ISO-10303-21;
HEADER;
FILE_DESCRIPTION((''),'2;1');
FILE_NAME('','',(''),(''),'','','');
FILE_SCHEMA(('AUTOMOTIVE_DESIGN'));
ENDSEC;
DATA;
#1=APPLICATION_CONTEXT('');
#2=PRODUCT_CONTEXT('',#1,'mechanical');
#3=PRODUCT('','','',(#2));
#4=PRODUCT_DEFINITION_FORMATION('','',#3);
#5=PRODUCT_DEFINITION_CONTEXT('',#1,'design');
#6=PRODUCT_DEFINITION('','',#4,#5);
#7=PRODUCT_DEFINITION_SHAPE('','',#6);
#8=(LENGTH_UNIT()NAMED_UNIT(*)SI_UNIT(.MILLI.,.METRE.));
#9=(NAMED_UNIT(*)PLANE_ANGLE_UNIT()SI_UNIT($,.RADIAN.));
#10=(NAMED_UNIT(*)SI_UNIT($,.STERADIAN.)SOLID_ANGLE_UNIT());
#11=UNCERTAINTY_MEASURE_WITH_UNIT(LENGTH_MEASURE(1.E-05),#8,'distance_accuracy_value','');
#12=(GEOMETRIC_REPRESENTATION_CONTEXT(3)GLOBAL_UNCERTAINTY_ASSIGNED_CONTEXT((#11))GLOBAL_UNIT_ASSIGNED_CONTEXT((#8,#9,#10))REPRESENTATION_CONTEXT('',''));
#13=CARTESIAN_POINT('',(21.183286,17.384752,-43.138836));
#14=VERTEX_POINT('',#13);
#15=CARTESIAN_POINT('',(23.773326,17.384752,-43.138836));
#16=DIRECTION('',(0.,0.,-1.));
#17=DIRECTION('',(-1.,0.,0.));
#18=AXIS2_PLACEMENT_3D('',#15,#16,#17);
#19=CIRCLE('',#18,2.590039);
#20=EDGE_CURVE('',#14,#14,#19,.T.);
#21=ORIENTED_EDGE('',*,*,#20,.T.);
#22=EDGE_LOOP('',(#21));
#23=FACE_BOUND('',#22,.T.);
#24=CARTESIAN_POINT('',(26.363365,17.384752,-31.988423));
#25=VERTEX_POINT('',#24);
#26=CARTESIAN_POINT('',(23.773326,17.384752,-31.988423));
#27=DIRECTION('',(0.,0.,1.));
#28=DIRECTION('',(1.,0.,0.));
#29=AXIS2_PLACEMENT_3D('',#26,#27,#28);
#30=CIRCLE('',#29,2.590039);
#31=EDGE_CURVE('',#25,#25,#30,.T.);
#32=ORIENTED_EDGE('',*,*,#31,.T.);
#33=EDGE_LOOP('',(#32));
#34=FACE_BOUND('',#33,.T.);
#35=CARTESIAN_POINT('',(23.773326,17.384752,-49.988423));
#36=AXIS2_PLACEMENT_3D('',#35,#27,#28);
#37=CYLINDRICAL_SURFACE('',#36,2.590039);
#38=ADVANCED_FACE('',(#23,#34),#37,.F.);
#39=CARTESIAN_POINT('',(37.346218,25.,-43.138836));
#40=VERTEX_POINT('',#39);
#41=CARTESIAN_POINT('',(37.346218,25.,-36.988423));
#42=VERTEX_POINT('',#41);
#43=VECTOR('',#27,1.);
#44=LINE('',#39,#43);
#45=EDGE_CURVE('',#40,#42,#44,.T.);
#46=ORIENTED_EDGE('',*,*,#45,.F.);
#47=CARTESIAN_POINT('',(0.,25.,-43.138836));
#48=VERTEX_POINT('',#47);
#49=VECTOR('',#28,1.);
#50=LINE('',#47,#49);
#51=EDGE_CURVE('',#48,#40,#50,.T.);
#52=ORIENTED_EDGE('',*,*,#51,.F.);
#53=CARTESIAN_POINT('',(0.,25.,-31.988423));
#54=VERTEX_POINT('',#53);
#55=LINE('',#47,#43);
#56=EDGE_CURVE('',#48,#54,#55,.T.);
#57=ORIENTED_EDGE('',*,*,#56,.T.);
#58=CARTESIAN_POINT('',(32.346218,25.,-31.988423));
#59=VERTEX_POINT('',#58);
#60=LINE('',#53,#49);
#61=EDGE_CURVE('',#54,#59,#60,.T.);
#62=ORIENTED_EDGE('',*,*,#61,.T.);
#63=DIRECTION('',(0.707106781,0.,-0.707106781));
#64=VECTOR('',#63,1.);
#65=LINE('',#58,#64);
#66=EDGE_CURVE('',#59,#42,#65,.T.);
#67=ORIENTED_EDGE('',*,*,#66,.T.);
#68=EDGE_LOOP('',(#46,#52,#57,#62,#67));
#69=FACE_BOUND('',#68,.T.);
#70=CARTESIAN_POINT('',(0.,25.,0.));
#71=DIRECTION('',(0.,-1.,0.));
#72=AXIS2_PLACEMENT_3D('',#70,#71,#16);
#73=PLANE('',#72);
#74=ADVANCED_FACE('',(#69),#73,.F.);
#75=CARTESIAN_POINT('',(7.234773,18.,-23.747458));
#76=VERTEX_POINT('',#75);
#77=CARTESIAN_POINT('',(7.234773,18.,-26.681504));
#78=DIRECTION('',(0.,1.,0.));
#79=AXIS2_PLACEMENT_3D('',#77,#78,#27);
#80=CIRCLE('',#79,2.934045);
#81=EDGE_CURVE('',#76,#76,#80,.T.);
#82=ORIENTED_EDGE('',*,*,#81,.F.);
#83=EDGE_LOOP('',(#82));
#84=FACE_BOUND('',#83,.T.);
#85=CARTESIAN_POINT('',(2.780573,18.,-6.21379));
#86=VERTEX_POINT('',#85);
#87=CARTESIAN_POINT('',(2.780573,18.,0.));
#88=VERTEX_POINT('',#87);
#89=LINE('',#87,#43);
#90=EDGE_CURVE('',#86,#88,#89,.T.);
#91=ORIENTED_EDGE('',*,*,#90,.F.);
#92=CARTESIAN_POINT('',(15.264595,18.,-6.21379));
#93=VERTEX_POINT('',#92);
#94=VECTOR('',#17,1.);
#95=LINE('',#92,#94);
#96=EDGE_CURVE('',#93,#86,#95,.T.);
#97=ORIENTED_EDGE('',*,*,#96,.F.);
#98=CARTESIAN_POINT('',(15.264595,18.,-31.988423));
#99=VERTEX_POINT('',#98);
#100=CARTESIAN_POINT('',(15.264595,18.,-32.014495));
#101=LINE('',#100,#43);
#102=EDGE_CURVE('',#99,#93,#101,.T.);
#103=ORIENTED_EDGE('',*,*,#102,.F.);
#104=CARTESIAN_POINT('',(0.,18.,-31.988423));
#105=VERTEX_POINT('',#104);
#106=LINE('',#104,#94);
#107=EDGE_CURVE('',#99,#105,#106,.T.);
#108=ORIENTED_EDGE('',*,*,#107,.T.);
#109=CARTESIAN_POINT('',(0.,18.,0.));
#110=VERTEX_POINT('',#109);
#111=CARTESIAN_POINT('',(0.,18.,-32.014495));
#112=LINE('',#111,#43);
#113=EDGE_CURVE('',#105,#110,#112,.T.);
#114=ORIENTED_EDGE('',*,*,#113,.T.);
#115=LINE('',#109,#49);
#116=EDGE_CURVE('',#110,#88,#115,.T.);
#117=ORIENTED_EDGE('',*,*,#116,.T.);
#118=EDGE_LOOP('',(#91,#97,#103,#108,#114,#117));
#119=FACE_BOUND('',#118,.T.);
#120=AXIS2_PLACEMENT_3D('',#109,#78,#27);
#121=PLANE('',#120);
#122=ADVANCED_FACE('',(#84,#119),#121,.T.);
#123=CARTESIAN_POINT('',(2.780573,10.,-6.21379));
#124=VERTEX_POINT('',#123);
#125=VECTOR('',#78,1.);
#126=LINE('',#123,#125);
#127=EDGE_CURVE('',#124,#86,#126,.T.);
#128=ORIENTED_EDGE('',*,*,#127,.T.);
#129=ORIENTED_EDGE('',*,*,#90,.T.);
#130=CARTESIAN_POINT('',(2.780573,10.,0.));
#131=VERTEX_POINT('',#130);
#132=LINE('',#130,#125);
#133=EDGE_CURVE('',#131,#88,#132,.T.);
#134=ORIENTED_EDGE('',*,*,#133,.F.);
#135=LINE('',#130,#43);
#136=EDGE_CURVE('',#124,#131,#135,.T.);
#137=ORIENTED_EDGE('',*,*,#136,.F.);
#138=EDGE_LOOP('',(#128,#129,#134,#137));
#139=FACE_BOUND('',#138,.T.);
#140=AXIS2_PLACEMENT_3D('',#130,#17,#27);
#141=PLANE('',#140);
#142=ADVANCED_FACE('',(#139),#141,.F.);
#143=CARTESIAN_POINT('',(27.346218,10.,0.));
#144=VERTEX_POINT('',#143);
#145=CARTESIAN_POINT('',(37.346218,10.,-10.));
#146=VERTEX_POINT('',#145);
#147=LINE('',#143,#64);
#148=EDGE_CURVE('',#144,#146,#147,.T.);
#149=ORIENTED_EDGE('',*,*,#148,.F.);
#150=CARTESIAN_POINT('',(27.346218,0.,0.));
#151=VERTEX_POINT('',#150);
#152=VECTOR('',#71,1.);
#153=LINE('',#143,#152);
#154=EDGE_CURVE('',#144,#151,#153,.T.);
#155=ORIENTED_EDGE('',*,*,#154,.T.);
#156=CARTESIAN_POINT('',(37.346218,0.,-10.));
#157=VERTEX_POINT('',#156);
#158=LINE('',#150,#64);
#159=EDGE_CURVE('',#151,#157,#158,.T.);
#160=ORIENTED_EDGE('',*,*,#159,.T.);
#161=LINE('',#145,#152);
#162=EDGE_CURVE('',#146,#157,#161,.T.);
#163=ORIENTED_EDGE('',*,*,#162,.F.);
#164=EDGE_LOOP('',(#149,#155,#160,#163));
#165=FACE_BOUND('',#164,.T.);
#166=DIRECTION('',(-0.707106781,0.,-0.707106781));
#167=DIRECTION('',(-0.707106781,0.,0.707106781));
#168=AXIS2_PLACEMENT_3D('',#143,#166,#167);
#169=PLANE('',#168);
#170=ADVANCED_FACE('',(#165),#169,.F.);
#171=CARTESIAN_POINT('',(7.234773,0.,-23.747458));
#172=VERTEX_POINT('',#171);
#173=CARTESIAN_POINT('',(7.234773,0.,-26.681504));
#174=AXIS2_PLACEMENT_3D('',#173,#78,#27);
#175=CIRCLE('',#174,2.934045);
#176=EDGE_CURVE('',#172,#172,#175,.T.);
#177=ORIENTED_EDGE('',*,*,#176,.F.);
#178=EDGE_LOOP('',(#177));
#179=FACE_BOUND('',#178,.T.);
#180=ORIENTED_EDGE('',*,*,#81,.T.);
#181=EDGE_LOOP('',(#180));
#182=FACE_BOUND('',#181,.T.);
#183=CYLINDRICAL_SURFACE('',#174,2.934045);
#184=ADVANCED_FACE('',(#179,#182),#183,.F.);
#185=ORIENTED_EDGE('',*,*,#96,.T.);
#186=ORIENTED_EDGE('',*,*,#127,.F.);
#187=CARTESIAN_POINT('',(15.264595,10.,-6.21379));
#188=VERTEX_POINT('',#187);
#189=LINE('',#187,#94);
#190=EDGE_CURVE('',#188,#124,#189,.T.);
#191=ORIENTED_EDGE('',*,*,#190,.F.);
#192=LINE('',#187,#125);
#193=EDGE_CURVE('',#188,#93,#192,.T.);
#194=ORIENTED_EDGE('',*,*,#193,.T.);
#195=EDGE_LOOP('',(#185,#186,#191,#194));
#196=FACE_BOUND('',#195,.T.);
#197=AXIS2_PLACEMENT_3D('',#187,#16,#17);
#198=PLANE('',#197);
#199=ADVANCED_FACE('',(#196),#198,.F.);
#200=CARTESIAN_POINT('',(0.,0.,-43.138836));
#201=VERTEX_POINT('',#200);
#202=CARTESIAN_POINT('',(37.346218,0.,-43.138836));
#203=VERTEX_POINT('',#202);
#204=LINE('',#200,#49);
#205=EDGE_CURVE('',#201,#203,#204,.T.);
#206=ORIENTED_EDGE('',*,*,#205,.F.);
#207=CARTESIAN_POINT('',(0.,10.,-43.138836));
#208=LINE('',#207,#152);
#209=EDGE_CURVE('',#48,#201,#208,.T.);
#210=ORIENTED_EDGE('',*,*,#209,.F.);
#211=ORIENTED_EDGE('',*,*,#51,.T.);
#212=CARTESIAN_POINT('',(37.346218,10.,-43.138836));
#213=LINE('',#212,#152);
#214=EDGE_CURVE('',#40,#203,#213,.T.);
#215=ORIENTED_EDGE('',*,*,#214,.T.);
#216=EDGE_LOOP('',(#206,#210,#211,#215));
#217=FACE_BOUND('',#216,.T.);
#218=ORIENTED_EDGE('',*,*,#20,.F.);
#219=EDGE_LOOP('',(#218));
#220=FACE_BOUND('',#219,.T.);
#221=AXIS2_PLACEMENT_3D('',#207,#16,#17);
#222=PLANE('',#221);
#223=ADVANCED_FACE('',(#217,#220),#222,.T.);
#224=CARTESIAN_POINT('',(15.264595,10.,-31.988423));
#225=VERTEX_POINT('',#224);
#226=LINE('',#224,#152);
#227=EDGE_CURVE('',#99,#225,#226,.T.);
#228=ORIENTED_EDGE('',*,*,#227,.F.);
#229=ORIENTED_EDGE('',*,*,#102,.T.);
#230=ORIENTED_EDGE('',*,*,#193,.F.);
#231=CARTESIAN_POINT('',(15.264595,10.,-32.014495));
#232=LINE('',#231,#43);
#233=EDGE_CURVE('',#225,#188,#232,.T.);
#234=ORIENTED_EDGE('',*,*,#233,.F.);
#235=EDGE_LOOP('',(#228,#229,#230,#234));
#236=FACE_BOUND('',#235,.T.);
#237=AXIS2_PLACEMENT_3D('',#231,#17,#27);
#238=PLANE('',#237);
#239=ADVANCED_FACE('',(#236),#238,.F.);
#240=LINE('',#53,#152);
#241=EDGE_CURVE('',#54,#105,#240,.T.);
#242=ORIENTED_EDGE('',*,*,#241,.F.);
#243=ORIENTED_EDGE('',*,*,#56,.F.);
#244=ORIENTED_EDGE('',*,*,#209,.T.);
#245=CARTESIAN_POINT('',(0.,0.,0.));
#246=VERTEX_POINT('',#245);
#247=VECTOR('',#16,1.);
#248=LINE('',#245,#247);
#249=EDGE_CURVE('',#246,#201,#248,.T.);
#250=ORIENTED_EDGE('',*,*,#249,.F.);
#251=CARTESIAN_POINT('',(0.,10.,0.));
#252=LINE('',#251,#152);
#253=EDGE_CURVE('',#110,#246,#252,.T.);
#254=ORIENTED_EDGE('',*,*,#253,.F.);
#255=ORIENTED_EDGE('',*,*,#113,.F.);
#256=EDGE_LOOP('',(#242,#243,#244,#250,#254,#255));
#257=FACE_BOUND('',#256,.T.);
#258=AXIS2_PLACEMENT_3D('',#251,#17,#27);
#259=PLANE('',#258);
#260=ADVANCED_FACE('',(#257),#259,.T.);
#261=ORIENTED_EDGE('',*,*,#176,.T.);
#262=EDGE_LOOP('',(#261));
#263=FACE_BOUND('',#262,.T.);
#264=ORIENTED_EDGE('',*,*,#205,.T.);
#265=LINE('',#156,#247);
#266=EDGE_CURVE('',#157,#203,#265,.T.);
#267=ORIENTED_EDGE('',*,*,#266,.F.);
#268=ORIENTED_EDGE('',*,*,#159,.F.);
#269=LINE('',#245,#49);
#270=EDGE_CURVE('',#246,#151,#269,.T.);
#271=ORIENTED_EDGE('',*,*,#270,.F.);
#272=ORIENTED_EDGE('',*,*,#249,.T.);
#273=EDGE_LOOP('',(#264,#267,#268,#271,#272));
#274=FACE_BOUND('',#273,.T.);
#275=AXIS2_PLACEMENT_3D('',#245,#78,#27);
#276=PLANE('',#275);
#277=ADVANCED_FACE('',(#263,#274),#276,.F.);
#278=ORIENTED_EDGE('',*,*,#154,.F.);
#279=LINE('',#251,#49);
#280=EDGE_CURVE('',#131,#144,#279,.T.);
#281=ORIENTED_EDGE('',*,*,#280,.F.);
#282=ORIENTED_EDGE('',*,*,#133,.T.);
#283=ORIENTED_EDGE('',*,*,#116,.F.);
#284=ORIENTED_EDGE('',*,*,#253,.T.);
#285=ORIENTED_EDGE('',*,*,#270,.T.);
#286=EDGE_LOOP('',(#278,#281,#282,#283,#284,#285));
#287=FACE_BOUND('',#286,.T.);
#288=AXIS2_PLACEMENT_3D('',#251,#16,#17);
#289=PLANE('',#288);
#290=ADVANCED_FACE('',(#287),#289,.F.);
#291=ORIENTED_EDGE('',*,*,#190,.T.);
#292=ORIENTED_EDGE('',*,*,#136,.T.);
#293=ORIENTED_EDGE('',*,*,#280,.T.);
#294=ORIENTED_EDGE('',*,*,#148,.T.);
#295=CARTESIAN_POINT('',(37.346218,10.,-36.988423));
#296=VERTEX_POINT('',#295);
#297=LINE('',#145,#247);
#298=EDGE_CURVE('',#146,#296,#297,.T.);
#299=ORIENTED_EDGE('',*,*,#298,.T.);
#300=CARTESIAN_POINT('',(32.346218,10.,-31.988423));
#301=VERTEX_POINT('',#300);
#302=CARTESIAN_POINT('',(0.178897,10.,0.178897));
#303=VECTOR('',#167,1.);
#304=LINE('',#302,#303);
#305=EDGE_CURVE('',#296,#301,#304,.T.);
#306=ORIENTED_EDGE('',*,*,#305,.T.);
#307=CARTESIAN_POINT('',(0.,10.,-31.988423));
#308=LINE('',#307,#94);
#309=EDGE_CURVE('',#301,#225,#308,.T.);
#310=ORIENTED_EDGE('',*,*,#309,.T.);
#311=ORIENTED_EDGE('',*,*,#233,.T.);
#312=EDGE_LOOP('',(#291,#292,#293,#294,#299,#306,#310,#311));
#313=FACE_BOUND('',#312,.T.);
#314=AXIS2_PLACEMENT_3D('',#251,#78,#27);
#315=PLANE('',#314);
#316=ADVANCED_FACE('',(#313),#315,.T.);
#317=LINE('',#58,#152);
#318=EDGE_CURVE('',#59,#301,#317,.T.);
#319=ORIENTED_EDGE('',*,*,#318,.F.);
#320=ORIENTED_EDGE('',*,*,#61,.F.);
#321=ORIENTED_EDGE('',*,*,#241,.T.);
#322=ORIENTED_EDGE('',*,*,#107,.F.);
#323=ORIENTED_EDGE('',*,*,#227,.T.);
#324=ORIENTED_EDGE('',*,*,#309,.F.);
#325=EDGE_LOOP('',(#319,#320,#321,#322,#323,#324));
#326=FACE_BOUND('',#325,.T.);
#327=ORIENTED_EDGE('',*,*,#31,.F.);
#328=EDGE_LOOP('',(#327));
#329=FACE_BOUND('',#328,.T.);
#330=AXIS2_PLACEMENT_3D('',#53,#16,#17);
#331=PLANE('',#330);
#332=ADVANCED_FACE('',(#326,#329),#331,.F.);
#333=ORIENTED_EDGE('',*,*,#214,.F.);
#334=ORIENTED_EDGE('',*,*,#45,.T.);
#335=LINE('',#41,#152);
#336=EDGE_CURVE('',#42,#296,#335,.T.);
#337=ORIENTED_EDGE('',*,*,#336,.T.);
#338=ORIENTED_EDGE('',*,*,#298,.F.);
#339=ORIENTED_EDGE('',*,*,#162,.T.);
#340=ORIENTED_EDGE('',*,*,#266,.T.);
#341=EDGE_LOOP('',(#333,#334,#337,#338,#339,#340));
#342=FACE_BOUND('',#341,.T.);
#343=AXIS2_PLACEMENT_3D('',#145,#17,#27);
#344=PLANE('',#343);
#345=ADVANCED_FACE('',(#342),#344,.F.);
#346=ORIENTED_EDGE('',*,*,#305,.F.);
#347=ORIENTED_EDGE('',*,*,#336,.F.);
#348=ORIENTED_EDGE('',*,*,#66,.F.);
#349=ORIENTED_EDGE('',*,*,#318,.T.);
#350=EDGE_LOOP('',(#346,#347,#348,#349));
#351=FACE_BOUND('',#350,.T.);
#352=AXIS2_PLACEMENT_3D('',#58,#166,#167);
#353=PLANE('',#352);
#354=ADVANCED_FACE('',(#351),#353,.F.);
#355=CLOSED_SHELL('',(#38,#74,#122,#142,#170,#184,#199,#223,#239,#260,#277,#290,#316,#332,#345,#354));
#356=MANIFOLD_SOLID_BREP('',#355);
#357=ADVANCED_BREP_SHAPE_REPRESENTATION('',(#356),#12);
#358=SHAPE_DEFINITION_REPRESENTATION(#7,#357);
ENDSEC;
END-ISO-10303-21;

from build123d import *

# Parameters (mm, degrees)
BOSS_EXTRUDE1_DEPTH = 10
BOSS_EXTRUDE2_DEPTH = 8
BOSS_EXTRUDE4_DEPTH = 25
SKETCH3_W           = 12.484022429
SKETCH3_H           = 6.213790253
CUT_EXTRUDE1_DEPTH  = 8
SKETCH7_R           = 2.934045285
CUT_EXTRUDE4_DEPTH  = 18
SKETCH8_R           = 2.590039353
CUT_EXTRUDE5_DEPTH  = 18


with BuildPart() as part:
    # Sketch1 → Boss-Extrude1 (new body)
    with BuildSketch(Plane(origin=(0, 0, 0), x_dir=(1, 0, 0), z_dir=(0, 1, 0))):
        Polygon((27.346217797, 0), (37.346217797, 10), (37.346217797, 43.13883642), (0, 43.13883642), (0, 0), align=None)
    extrude(amount=BOSS_EXTRUDE1_DEPTH)

    # 3DSketch1 → Boss-Extrude2 (add)
    with BuildSketch(Plane(origin=(0, 10, -32.014495021), x_dir=(0.4303839412255019, 0, 0.9026459234579215), z_dir=(0, 1, 0))):
        Polygon((0, 0), (6.569636602, 13.778524544), (35.467390024, 0), (28.897753422, -13.778524544), align=None)
    extrude(amount=BOSS_EXTRUDE2_DEPTH)

    # Sketch2 → Boss-Extrude4 (add)
    with BuildSketch(Plane(origin=(0, 0, 0), x_dir=(1, 0, 0), z_dir=(0, 1, 0))):
        Polygon((0, 43.13883642), (37.346217797, 43.13883642), (37.346217797, 36.988423425), (32.346217797, 31.988423425), (0, 31.988423425), align=None)
    extrude(amount=BOSS_EXTRUDE4_DEPTH)

    # Sketch3 → Cut-Extrude1 (cut)
    with BuildSketch(Plane(origin=(0, 18, 0), x_dir=(1, 0, 0), z_dir=(0, 1, 0))):
        with Locations((9.02258389, 3.106895126)):
            Rectangle(SKETCH3_W, SKETCH3_H)
    extrude(amount=-CUT_EXTRUDE1_DEPTH, mode=Mode.SUBTRACT)

    # Sketch7 → Cut-Extrude4 (cut)
    with BuildSketch(Plane(origin=(0, 18, 0), x_dir=(1, 0, 0), z_dir=(0, 1, 0))):
        with Locations(Location((7.23477268, 26.681503573, 0), (0, 0, 270))):
            Circle(SKETCH7_R)
    extrude(amount=-CUT_EXTRUDE4_DEPTH, mode=Mode.SUBTRACT)

    # Sketch8 → Cut-Extrude5 (cut)
    with BuildSketch(Plane.XY.offset(-31.988423425)):
        with Locations((23.773325806, 17.384751646)):
            Circle(SKETCH8_R)
    extrude(amount=-CUT_EXTRUDE5_DEPTH, mode=Mode.SUBTRACT)


solid = part.part
